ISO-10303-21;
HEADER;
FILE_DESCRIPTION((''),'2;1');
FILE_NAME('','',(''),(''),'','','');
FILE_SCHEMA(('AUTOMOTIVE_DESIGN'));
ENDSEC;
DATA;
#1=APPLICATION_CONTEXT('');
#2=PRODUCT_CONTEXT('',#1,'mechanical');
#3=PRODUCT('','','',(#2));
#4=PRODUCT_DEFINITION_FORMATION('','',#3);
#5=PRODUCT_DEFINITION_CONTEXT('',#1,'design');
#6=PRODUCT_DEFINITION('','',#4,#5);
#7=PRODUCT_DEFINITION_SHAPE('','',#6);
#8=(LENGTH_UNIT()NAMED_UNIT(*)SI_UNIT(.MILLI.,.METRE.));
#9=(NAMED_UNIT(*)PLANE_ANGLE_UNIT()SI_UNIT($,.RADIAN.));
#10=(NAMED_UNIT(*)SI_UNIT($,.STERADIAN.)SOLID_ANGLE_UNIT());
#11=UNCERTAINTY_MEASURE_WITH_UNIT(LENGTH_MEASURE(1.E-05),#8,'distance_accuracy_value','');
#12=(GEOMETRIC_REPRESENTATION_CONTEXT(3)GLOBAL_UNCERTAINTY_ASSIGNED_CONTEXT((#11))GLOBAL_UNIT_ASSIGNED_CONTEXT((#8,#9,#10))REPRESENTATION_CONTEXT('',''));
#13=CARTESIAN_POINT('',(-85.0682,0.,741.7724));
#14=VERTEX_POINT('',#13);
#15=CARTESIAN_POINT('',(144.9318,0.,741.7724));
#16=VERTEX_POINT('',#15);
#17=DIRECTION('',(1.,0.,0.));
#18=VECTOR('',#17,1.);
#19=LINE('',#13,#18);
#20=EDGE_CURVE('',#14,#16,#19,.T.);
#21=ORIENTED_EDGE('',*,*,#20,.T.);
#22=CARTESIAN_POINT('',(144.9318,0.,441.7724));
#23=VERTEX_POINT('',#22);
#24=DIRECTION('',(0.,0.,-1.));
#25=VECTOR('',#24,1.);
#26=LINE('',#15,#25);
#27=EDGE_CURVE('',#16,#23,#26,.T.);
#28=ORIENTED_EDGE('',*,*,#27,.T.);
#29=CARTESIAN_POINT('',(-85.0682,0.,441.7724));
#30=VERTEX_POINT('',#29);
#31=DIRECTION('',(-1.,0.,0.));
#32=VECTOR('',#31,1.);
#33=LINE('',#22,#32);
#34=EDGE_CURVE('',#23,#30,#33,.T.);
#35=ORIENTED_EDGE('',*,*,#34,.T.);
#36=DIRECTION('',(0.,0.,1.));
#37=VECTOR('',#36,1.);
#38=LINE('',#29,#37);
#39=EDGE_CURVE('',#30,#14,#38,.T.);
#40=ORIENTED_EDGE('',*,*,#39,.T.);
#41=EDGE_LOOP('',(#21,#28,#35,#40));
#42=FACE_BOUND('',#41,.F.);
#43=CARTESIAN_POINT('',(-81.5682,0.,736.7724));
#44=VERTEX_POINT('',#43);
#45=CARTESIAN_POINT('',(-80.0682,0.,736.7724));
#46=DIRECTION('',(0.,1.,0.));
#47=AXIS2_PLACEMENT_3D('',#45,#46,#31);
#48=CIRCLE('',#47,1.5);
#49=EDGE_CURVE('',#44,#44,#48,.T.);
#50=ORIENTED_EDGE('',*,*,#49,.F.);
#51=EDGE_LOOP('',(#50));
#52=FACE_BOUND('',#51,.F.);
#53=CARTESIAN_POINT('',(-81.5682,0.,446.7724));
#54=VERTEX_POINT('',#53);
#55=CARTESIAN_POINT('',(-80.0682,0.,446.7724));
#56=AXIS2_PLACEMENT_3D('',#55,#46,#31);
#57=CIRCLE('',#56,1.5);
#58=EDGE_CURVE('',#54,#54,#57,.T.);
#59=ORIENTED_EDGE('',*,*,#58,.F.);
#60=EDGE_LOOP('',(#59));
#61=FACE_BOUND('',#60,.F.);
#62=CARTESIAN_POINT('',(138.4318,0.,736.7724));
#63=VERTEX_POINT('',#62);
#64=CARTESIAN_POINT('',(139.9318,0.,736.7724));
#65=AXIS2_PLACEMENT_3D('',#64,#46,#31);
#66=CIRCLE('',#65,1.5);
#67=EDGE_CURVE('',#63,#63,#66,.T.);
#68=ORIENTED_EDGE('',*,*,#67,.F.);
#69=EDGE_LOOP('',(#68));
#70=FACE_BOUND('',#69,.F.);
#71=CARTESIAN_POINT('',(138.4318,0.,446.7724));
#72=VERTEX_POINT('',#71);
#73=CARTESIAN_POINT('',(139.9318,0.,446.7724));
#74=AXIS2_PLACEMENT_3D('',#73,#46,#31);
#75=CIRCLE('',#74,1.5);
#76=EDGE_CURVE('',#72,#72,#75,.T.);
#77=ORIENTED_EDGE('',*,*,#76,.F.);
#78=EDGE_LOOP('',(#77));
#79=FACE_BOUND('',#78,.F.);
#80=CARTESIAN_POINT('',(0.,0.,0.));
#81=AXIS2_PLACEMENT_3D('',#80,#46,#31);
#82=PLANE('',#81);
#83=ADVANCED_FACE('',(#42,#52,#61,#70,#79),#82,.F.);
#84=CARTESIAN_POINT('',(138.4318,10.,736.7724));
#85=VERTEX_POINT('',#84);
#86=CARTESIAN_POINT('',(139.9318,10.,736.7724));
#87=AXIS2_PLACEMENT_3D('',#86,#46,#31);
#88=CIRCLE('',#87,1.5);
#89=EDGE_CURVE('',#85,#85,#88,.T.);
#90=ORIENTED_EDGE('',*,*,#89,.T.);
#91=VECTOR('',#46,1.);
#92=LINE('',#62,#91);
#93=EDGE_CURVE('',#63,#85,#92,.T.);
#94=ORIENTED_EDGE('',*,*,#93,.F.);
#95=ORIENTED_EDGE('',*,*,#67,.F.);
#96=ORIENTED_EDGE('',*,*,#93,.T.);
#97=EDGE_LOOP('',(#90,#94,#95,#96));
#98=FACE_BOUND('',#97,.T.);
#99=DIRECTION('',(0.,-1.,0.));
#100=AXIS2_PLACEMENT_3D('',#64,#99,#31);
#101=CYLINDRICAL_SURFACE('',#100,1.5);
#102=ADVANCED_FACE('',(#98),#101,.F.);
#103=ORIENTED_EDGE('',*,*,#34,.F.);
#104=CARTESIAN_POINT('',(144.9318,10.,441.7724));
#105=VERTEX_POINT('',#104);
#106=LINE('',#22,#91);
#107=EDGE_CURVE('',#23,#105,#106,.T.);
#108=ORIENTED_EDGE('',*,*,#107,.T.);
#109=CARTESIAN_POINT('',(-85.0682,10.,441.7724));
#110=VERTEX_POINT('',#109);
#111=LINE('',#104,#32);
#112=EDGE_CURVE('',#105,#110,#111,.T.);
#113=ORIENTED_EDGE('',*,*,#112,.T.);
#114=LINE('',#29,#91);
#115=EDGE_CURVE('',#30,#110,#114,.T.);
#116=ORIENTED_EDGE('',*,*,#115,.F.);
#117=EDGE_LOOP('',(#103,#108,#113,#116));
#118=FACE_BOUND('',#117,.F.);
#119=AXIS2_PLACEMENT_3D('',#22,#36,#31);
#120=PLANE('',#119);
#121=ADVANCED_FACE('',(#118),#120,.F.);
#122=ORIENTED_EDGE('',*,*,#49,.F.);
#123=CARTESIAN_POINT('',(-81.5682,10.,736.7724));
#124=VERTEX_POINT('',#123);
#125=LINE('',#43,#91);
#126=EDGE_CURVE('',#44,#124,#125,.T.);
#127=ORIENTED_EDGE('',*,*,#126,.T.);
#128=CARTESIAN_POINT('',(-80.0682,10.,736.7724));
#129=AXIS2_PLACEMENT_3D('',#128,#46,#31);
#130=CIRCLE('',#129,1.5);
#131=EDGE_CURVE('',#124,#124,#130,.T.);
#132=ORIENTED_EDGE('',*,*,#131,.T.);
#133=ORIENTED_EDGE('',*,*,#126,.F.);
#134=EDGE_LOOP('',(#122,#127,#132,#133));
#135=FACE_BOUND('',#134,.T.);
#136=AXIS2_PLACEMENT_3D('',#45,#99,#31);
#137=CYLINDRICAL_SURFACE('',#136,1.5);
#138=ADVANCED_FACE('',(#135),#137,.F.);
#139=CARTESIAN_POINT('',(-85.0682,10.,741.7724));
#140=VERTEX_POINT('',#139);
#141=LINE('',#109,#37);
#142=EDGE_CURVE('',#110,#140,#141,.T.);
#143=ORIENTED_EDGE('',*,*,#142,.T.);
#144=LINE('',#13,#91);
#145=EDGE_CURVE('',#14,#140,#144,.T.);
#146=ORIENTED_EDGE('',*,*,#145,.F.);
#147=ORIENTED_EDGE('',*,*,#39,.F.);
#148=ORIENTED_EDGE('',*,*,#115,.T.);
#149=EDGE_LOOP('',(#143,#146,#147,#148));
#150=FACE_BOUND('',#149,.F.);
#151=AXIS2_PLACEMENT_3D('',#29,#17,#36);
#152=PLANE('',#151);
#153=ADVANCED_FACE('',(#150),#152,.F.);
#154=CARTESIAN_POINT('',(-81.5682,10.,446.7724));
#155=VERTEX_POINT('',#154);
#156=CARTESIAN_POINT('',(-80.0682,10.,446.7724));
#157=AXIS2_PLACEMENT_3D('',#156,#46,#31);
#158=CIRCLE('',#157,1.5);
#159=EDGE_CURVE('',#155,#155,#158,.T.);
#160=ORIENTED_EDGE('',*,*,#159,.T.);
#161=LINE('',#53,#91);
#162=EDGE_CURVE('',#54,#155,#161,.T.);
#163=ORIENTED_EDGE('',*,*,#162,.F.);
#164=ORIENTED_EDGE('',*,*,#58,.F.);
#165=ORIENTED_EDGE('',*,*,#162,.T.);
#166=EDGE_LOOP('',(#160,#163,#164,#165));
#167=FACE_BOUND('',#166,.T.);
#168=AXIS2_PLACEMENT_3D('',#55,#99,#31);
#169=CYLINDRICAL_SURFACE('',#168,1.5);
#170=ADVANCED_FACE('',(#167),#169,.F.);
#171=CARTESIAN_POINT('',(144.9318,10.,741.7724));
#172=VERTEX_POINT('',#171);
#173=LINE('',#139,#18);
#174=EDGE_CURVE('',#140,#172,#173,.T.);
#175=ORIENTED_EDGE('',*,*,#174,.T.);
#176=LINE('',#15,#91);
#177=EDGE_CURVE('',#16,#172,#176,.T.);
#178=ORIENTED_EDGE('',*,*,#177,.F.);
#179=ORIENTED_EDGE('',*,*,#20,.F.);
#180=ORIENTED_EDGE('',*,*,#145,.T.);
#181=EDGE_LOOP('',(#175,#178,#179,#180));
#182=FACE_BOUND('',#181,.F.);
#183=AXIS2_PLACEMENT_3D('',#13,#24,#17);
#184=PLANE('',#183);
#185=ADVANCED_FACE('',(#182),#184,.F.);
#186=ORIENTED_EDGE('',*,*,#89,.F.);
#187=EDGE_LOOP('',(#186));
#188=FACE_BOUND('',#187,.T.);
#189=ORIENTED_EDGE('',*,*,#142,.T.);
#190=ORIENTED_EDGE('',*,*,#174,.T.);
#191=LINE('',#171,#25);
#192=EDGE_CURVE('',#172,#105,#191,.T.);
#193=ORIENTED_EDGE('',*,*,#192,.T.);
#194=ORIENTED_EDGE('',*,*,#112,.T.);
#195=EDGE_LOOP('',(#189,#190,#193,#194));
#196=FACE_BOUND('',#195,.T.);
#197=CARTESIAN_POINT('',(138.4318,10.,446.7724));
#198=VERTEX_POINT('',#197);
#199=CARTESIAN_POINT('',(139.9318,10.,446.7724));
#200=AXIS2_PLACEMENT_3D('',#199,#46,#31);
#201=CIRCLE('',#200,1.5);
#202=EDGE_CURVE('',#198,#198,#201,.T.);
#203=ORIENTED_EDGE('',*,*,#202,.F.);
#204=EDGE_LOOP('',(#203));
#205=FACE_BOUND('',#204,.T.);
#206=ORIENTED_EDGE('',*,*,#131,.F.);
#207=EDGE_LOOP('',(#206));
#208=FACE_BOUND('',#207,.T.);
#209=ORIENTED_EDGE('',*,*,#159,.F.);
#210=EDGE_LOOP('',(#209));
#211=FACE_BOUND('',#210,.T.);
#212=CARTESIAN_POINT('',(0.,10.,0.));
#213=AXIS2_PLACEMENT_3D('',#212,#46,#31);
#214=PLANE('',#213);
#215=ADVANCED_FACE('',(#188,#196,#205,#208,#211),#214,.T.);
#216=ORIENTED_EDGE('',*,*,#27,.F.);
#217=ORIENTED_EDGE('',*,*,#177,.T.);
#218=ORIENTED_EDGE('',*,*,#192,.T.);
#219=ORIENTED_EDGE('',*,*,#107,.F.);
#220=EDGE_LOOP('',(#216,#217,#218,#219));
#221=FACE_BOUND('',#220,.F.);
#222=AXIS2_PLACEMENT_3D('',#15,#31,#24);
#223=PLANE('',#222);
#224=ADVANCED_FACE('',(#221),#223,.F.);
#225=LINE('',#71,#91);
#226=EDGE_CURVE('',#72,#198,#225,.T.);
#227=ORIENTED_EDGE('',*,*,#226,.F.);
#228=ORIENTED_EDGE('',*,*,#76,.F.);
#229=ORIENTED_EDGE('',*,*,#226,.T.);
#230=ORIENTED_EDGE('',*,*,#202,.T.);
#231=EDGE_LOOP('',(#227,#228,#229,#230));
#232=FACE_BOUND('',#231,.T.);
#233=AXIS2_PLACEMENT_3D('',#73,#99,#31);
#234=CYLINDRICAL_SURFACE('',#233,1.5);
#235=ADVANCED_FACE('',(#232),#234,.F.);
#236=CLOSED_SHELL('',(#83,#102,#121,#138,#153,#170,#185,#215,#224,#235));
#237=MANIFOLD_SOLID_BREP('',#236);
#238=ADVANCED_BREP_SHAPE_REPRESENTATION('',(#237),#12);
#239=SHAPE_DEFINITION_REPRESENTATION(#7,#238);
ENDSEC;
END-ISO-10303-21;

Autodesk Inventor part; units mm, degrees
ref_plane "YZ Plane" through (0, 0, 0) normal (1, 0, 0) x (0, 1, 0)
ref_plane "XZ Plane" through (0, 0, 0) normal (0, 1, 0) x (-1, 0, 0)
ref_plane "XY Plane" through (0, 0, 0) normal (0, 0, 1) x (1, 0, 0)
sketch "Schizzo1" plane through (0, 0, 0) normal (0, 1, 0) x (-1, 0, 0)
  line L0 (112.9076, 150.0243) -> (-117.0924, 150.0243)
  line L1 (-117.0924, -149.9757) -> (112.9076, -149.9757)
  line L2 (112.9076, -149.9757) -> (112.9076, 150.0243)
  circle A0 centre (43.9076, 95.0243) radius 2.75
  circle A1 centre (43.9076, 65.0243) radius 2.75
  circle A2 centre (11.9076, 95.0243) radius 2.75
  circle A3 centre (11.9076, 65.0243) radius 2.75
  circle A4 centre (43.9076, -64.9757) radius 2.75
  circle A5 centre (43.9076, -94.9757) radius 2.75
  circle A6 centre (11.9076, -64.9757) radius 2.75
  circle A7 centre (11.9076, -94.9757) radius 2.75
  circle A8 centre (-16.0924, 95.0243) radius 2.75
  circle A9 centre (-16.0924, 65.0243) radius 2.75
  circle A10 centre (-48.0924, 95.0243) radius 2.75
  circle A11 centre (-48.0924, 65.0243) radius 2.75
  circle A12 centre (-16.0924, -64.9757) radius 2.75
  circle A13 centre (-16.0924, -94.9757) radius 2.75
  circle A14 centre (-48.0924, -64.9757) radius 2.75
  circle A15 centre (-48.0924, -94.9757) radius 2.75
  circle A16 centre (7.9076, 140.0243) radius 3
  circle A17 centre (-12.0924, 140.0243) radius 3
  circle A18 centre (107.9076, 145.0243) radius 1.5
  circle A19 centre (107.9076, -144.9757) radius 1.5
  circle A20 centre (-112.0924, 145.0243) radius 1.5
  circle A21 centre (-112.0924, -144.9757) radius 1.5
  line L3 (85.0682, 741.7724) -> (-144.9318, 741.7724)
  line L4 (-144.9318, 741.7724) -> (-144.9318, 441.7724)
  line L5 (-144.9318, 441.7724) -> (85.0682, 441.7724)
  line L6 (85.0682, 441.7724) -> (85.0682, 741.7724)
  circle A22 centre (80.0682, 736.7724) radius 1.5
  circle A23 centre (80.0682, 446.7724) radius 1.5
  circle A24 centre (-139.9318, 736.7724) radius 1.5
  circle A25 centre (-139.9318, 446.7724) radius 1.5
  dimension "d23" = 30
  dimension "d24" = 32
  dimension "d25" = 160
  dimension "d26" = 60
  dimension "d30" = 20
  dimension "d36" = 290
  dimension "d37" = 220
  dimension "d41" = 230
  dimension "d42" = 300
  dimension "d43" = 3
  dimension "d44" = 5
  dimension "d45" = 5
  dimension "d48" = 290
  dimension "d51" = 220
extrude "Estrusione1" add sketch "Schizzo1" along normal blind 10 contours L6 L5 L4 L3
properties part number "base di lavoro sopra"
